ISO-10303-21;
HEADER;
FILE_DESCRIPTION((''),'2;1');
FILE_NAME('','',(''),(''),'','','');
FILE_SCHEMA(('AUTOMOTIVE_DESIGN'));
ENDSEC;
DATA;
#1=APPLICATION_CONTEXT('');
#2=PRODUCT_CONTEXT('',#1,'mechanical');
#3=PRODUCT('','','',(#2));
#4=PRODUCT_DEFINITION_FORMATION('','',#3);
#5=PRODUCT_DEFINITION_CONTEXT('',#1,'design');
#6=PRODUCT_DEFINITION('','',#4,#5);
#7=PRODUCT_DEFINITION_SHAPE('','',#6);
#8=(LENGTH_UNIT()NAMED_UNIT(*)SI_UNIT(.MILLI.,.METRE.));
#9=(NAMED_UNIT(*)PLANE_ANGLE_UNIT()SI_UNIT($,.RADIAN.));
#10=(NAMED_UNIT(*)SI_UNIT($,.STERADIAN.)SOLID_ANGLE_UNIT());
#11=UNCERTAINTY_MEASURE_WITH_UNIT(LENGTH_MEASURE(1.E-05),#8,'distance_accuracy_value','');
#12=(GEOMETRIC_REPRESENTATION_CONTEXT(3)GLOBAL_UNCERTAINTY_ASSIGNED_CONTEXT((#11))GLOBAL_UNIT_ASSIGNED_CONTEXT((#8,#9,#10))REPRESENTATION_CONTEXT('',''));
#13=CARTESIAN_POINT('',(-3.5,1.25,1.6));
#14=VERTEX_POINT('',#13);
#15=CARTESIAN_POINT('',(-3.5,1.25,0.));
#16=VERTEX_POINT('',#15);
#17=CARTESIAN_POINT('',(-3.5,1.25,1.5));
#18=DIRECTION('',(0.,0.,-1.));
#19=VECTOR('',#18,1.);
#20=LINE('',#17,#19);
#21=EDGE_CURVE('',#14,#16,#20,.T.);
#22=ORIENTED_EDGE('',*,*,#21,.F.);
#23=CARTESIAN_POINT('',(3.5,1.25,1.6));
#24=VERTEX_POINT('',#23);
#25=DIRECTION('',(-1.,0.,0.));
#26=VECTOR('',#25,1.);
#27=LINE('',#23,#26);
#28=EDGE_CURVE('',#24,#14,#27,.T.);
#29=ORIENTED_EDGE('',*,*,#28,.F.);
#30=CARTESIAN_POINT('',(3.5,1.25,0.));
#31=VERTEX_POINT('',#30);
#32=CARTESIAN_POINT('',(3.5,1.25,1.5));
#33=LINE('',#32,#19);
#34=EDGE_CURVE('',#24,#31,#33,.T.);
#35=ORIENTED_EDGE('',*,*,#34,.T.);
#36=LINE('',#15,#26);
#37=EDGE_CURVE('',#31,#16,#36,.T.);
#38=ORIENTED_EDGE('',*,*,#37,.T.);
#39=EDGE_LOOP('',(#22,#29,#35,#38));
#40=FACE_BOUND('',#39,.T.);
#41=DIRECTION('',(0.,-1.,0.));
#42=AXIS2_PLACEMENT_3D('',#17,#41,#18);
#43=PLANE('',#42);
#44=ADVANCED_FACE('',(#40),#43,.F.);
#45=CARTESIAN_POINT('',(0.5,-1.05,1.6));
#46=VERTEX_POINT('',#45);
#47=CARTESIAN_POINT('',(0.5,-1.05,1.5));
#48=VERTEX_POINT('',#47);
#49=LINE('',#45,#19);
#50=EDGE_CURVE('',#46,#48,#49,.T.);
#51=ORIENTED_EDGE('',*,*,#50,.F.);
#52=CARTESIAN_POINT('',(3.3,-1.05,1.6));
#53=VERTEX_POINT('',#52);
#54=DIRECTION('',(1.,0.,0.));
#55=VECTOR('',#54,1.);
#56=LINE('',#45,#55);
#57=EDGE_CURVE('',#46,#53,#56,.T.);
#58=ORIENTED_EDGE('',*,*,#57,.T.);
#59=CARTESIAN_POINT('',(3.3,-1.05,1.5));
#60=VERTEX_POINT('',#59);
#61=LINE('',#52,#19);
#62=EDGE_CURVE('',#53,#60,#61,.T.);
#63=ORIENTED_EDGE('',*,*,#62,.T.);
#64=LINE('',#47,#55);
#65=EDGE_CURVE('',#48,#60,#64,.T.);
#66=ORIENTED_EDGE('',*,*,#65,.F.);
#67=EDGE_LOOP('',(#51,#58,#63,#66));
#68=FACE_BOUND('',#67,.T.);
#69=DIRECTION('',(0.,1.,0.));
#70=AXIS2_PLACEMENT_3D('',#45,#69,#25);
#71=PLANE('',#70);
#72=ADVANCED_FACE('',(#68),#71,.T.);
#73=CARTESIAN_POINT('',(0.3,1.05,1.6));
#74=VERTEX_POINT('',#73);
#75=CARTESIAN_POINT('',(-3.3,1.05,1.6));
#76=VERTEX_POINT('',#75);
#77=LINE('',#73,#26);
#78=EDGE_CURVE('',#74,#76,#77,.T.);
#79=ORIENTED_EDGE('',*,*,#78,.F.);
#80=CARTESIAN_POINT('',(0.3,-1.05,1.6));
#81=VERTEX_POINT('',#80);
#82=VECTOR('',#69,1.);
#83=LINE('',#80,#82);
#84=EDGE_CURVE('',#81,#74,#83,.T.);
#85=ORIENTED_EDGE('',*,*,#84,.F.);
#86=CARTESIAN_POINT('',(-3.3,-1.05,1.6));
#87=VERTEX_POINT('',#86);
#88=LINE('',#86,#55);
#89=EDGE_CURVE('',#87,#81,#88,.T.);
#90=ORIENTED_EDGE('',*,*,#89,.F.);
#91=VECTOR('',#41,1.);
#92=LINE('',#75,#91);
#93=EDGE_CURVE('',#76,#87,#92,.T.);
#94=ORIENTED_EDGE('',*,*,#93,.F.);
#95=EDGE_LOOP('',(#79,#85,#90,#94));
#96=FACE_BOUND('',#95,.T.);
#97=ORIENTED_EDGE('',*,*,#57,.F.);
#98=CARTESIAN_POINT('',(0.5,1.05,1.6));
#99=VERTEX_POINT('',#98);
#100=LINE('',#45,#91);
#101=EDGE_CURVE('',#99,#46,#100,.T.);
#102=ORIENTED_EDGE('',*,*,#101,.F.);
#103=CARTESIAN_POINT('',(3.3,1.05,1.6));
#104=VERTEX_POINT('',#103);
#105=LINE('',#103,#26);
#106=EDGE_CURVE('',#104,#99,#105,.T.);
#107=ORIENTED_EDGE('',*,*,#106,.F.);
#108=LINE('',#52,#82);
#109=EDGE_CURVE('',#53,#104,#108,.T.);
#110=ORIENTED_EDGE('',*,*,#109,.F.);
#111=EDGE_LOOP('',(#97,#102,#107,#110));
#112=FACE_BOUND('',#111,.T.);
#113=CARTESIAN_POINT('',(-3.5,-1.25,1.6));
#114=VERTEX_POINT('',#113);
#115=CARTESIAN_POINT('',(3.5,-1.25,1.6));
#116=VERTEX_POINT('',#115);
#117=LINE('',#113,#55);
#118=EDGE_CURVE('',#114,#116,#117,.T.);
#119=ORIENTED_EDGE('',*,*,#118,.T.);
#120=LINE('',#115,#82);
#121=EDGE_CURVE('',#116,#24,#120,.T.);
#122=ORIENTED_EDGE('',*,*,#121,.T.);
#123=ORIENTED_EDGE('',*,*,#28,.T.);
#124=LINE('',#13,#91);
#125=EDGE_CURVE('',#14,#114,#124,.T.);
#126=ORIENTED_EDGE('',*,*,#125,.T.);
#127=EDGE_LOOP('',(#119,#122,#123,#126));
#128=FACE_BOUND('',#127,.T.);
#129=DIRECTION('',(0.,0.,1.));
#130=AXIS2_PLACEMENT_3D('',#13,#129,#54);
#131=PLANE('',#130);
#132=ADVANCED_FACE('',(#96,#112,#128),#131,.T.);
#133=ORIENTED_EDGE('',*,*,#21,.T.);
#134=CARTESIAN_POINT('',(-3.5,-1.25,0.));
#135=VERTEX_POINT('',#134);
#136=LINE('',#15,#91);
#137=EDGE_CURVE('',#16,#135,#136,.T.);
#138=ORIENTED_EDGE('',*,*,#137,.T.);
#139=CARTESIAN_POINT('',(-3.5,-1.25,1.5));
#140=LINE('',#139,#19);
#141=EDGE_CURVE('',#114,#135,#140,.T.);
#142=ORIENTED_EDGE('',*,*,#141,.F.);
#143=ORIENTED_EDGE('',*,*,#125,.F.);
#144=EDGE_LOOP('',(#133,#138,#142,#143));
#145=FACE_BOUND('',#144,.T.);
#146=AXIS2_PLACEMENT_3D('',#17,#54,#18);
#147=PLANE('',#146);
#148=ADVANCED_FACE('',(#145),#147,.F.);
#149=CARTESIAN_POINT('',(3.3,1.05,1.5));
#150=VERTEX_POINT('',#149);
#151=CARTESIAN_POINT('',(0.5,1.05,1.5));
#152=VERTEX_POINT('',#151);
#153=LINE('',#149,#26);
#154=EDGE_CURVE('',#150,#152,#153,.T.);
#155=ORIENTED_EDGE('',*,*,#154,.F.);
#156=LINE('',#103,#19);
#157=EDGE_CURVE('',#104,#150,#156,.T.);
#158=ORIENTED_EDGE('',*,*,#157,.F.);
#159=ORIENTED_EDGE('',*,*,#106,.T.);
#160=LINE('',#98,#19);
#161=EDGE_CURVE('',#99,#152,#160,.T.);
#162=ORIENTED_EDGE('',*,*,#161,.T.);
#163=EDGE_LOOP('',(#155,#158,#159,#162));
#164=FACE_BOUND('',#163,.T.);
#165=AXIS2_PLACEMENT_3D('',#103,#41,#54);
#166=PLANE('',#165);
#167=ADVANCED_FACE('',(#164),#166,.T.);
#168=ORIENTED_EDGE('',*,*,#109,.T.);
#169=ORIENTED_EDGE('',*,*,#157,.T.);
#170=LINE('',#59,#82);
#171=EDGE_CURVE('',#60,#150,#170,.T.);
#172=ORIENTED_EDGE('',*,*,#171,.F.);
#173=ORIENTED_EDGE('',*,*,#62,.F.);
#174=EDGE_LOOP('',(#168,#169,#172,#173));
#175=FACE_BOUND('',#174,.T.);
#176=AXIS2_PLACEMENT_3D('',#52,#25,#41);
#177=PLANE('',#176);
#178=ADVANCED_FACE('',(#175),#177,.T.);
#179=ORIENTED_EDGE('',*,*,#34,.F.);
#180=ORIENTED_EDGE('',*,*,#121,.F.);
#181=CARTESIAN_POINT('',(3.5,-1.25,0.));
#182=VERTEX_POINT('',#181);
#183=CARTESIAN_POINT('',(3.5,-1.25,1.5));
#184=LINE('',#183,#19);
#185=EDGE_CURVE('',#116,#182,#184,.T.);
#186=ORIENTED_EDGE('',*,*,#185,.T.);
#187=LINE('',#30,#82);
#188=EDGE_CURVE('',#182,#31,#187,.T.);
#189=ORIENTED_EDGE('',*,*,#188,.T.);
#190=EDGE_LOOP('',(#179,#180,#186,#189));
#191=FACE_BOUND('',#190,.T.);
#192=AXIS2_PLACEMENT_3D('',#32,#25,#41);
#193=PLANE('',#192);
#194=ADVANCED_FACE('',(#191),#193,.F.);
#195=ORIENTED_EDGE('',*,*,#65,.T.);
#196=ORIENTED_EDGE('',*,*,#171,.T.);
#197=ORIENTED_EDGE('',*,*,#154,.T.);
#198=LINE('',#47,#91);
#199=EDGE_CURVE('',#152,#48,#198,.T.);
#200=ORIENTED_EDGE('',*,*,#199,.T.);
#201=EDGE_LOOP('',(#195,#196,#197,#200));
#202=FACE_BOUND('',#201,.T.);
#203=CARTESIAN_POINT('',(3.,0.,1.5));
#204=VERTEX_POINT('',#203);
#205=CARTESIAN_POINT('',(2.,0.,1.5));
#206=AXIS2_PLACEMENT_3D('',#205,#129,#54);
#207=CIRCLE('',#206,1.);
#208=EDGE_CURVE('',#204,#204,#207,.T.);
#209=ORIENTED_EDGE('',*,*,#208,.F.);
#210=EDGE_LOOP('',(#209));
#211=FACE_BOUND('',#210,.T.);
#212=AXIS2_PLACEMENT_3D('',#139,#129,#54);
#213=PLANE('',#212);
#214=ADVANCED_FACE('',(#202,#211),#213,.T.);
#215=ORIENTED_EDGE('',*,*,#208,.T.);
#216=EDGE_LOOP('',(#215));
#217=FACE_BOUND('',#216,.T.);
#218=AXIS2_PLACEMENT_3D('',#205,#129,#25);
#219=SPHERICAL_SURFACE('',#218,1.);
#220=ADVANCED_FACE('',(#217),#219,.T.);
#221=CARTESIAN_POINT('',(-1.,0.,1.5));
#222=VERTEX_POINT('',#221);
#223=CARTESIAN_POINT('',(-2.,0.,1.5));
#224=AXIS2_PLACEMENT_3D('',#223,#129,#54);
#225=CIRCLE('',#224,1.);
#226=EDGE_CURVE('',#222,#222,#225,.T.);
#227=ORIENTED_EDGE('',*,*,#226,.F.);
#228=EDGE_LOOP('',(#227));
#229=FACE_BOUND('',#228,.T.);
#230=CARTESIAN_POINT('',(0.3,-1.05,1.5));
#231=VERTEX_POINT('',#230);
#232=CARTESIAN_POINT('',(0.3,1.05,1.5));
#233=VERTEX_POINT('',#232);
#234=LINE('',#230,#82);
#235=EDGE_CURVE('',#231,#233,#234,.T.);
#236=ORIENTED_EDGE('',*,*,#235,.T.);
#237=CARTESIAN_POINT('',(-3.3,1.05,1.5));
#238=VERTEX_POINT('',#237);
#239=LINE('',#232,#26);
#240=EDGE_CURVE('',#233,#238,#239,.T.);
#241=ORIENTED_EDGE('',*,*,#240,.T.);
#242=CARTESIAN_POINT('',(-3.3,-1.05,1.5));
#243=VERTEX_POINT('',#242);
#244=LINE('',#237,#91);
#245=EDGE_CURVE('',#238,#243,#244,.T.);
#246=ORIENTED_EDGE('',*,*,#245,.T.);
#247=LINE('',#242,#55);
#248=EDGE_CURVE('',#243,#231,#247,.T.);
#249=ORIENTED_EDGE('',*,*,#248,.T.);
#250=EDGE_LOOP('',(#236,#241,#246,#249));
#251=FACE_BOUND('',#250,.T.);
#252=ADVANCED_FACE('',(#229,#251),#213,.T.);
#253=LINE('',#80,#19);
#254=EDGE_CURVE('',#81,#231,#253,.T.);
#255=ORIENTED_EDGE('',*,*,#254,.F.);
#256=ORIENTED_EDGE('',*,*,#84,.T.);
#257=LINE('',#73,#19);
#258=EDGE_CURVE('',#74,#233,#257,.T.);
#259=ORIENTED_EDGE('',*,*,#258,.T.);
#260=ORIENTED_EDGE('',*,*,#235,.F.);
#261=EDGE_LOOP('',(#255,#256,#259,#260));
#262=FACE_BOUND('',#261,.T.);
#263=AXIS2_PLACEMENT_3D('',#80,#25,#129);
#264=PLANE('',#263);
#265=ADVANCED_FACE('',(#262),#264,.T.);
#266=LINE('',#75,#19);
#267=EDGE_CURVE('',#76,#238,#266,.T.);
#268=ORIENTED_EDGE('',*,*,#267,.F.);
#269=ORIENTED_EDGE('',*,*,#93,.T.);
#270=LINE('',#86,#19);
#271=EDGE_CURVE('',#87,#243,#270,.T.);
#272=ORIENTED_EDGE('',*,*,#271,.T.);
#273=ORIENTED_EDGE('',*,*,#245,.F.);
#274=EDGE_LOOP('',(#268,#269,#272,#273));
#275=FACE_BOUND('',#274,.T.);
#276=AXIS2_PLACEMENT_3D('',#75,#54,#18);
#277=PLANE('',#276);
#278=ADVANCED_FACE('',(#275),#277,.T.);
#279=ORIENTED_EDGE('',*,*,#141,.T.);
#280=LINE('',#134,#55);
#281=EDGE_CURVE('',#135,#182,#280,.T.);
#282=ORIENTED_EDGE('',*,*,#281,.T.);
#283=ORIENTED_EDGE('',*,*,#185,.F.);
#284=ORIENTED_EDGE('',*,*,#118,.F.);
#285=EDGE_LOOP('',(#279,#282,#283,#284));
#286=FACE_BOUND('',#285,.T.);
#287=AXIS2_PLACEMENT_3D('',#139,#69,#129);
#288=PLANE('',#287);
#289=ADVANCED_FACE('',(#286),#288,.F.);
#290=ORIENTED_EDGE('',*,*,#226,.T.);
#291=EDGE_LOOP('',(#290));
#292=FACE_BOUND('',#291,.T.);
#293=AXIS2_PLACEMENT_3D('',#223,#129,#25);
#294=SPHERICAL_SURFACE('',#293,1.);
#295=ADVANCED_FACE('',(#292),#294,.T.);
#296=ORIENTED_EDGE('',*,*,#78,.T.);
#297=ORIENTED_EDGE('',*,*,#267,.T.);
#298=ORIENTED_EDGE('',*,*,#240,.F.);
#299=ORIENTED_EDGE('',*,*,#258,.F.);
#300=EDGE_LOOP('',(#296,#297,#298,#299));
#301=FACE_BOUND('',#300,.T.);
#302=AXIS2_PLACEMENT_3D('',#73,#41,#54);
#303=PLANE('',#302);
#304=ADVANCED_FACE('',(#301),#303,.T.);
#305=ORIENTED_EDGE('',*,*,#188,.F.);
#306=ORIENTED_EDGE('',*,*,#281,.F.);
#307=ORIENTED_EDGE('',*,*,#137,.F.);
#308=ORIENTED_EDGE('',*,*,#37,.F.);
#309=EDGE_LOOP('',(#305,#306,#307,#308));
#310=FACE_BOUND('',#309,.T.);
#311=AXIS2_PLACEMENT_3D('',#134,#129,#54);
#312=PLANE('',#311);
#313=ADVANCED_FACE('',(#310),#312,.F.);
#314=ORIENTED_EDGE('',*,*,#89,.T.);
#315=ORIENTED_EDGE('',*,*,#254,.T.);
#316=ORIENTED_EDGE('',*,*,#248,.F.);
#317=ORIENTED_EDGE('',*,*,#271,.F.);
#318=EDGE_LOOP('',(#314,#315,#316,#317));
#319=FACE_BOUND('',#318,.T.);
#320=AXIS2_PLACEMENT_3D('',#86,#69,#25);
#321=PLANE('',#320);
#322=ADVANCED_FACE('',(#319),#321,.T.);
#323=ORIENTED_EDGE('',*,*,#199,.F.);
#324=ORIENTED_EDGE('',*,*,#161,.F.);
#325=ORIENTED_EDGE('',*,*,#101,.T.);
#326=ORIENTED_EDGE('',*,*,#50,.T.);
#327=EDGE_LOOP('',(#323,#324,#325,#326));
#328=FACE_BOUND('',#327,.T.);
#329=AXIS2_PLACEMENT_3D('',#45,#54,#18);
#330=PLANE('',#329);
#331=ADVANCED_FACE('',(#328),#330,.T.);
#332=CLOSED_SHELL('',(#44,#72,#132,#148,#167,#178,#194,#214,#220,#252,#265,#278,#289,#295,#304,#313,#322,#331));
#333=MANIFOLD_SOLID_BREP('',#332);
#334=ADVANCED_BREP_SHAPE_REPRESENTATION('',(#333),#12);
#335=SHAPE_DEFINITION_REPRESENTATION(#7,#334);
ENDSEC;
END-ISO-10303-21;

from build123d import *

# Parameters (mm, degrees)
SKETCH1_W       = 7
SKETCH1_H       = 2.5
EXTRUDE1_DEPTH  = 1.5
LPATTERN1_COUNT = 2
LPATTERN1_PITCH = 4
SKETCH3_W       = 7
SKETCH3_H       = 2.5
SKETCH3_W_2     = 3.6
SKETCH3_H_2     = 2.1
SKETCH3_W_3     = 2.8
EXTRUDE2_DEPTH  = 0.1


with BuildPart() as part:
    # Sketch1 → Extrude1 (new body)
    with BuildSketch(Plane.XY):
        Rectangle(SKETCH1_W, SKETCH1_H)
    extrude(amount=EXTRUDE1_DEPTH)

    # Sketch2 → Revolve1 (revolve)
    with BuildSketch(Plane(origin=(0, 0, 0), x_dir=(1, 0, 0), z_dir=(0, 1, 0))):
        with BuildLine():
            Line((2, -2.5), (2, -0.5))
            ThreePointArc((2, -0.5), (3, -1.5), (2, -2.5))
        make_face()
    revolve1 = revolve(axis=Axis((2, 0, 3.037365145), (0, 0, -1)))

    # LPattern1: Revolve1 ×2
    with Locations(*[(-i * LPATTERN1_PITCH, 0, 0) for i in range(1, LPATTERN1_COUNT)]):
        add(revolve1)

    # Sketch3 → Extrude2 (add)
    with BuildSketch(Plane.XY.offset(1.5)):
        Rectangle(SKETCH3_W, SKETCH3_H)
        with Locations((-1.5, 0)):
            Rectangle(SKETCH3_W_2, SKETCH3_H_2, mode=Mode.SUBTRACT)
        with Locations((1.9, 0)):
            Rectangle(SKETCH3_W_3, SKETCH3_H_2, mode=Mode.SUBTRACT)
    extrude(amount=EXTRUDE2_DEPTH)


solid = part.part
